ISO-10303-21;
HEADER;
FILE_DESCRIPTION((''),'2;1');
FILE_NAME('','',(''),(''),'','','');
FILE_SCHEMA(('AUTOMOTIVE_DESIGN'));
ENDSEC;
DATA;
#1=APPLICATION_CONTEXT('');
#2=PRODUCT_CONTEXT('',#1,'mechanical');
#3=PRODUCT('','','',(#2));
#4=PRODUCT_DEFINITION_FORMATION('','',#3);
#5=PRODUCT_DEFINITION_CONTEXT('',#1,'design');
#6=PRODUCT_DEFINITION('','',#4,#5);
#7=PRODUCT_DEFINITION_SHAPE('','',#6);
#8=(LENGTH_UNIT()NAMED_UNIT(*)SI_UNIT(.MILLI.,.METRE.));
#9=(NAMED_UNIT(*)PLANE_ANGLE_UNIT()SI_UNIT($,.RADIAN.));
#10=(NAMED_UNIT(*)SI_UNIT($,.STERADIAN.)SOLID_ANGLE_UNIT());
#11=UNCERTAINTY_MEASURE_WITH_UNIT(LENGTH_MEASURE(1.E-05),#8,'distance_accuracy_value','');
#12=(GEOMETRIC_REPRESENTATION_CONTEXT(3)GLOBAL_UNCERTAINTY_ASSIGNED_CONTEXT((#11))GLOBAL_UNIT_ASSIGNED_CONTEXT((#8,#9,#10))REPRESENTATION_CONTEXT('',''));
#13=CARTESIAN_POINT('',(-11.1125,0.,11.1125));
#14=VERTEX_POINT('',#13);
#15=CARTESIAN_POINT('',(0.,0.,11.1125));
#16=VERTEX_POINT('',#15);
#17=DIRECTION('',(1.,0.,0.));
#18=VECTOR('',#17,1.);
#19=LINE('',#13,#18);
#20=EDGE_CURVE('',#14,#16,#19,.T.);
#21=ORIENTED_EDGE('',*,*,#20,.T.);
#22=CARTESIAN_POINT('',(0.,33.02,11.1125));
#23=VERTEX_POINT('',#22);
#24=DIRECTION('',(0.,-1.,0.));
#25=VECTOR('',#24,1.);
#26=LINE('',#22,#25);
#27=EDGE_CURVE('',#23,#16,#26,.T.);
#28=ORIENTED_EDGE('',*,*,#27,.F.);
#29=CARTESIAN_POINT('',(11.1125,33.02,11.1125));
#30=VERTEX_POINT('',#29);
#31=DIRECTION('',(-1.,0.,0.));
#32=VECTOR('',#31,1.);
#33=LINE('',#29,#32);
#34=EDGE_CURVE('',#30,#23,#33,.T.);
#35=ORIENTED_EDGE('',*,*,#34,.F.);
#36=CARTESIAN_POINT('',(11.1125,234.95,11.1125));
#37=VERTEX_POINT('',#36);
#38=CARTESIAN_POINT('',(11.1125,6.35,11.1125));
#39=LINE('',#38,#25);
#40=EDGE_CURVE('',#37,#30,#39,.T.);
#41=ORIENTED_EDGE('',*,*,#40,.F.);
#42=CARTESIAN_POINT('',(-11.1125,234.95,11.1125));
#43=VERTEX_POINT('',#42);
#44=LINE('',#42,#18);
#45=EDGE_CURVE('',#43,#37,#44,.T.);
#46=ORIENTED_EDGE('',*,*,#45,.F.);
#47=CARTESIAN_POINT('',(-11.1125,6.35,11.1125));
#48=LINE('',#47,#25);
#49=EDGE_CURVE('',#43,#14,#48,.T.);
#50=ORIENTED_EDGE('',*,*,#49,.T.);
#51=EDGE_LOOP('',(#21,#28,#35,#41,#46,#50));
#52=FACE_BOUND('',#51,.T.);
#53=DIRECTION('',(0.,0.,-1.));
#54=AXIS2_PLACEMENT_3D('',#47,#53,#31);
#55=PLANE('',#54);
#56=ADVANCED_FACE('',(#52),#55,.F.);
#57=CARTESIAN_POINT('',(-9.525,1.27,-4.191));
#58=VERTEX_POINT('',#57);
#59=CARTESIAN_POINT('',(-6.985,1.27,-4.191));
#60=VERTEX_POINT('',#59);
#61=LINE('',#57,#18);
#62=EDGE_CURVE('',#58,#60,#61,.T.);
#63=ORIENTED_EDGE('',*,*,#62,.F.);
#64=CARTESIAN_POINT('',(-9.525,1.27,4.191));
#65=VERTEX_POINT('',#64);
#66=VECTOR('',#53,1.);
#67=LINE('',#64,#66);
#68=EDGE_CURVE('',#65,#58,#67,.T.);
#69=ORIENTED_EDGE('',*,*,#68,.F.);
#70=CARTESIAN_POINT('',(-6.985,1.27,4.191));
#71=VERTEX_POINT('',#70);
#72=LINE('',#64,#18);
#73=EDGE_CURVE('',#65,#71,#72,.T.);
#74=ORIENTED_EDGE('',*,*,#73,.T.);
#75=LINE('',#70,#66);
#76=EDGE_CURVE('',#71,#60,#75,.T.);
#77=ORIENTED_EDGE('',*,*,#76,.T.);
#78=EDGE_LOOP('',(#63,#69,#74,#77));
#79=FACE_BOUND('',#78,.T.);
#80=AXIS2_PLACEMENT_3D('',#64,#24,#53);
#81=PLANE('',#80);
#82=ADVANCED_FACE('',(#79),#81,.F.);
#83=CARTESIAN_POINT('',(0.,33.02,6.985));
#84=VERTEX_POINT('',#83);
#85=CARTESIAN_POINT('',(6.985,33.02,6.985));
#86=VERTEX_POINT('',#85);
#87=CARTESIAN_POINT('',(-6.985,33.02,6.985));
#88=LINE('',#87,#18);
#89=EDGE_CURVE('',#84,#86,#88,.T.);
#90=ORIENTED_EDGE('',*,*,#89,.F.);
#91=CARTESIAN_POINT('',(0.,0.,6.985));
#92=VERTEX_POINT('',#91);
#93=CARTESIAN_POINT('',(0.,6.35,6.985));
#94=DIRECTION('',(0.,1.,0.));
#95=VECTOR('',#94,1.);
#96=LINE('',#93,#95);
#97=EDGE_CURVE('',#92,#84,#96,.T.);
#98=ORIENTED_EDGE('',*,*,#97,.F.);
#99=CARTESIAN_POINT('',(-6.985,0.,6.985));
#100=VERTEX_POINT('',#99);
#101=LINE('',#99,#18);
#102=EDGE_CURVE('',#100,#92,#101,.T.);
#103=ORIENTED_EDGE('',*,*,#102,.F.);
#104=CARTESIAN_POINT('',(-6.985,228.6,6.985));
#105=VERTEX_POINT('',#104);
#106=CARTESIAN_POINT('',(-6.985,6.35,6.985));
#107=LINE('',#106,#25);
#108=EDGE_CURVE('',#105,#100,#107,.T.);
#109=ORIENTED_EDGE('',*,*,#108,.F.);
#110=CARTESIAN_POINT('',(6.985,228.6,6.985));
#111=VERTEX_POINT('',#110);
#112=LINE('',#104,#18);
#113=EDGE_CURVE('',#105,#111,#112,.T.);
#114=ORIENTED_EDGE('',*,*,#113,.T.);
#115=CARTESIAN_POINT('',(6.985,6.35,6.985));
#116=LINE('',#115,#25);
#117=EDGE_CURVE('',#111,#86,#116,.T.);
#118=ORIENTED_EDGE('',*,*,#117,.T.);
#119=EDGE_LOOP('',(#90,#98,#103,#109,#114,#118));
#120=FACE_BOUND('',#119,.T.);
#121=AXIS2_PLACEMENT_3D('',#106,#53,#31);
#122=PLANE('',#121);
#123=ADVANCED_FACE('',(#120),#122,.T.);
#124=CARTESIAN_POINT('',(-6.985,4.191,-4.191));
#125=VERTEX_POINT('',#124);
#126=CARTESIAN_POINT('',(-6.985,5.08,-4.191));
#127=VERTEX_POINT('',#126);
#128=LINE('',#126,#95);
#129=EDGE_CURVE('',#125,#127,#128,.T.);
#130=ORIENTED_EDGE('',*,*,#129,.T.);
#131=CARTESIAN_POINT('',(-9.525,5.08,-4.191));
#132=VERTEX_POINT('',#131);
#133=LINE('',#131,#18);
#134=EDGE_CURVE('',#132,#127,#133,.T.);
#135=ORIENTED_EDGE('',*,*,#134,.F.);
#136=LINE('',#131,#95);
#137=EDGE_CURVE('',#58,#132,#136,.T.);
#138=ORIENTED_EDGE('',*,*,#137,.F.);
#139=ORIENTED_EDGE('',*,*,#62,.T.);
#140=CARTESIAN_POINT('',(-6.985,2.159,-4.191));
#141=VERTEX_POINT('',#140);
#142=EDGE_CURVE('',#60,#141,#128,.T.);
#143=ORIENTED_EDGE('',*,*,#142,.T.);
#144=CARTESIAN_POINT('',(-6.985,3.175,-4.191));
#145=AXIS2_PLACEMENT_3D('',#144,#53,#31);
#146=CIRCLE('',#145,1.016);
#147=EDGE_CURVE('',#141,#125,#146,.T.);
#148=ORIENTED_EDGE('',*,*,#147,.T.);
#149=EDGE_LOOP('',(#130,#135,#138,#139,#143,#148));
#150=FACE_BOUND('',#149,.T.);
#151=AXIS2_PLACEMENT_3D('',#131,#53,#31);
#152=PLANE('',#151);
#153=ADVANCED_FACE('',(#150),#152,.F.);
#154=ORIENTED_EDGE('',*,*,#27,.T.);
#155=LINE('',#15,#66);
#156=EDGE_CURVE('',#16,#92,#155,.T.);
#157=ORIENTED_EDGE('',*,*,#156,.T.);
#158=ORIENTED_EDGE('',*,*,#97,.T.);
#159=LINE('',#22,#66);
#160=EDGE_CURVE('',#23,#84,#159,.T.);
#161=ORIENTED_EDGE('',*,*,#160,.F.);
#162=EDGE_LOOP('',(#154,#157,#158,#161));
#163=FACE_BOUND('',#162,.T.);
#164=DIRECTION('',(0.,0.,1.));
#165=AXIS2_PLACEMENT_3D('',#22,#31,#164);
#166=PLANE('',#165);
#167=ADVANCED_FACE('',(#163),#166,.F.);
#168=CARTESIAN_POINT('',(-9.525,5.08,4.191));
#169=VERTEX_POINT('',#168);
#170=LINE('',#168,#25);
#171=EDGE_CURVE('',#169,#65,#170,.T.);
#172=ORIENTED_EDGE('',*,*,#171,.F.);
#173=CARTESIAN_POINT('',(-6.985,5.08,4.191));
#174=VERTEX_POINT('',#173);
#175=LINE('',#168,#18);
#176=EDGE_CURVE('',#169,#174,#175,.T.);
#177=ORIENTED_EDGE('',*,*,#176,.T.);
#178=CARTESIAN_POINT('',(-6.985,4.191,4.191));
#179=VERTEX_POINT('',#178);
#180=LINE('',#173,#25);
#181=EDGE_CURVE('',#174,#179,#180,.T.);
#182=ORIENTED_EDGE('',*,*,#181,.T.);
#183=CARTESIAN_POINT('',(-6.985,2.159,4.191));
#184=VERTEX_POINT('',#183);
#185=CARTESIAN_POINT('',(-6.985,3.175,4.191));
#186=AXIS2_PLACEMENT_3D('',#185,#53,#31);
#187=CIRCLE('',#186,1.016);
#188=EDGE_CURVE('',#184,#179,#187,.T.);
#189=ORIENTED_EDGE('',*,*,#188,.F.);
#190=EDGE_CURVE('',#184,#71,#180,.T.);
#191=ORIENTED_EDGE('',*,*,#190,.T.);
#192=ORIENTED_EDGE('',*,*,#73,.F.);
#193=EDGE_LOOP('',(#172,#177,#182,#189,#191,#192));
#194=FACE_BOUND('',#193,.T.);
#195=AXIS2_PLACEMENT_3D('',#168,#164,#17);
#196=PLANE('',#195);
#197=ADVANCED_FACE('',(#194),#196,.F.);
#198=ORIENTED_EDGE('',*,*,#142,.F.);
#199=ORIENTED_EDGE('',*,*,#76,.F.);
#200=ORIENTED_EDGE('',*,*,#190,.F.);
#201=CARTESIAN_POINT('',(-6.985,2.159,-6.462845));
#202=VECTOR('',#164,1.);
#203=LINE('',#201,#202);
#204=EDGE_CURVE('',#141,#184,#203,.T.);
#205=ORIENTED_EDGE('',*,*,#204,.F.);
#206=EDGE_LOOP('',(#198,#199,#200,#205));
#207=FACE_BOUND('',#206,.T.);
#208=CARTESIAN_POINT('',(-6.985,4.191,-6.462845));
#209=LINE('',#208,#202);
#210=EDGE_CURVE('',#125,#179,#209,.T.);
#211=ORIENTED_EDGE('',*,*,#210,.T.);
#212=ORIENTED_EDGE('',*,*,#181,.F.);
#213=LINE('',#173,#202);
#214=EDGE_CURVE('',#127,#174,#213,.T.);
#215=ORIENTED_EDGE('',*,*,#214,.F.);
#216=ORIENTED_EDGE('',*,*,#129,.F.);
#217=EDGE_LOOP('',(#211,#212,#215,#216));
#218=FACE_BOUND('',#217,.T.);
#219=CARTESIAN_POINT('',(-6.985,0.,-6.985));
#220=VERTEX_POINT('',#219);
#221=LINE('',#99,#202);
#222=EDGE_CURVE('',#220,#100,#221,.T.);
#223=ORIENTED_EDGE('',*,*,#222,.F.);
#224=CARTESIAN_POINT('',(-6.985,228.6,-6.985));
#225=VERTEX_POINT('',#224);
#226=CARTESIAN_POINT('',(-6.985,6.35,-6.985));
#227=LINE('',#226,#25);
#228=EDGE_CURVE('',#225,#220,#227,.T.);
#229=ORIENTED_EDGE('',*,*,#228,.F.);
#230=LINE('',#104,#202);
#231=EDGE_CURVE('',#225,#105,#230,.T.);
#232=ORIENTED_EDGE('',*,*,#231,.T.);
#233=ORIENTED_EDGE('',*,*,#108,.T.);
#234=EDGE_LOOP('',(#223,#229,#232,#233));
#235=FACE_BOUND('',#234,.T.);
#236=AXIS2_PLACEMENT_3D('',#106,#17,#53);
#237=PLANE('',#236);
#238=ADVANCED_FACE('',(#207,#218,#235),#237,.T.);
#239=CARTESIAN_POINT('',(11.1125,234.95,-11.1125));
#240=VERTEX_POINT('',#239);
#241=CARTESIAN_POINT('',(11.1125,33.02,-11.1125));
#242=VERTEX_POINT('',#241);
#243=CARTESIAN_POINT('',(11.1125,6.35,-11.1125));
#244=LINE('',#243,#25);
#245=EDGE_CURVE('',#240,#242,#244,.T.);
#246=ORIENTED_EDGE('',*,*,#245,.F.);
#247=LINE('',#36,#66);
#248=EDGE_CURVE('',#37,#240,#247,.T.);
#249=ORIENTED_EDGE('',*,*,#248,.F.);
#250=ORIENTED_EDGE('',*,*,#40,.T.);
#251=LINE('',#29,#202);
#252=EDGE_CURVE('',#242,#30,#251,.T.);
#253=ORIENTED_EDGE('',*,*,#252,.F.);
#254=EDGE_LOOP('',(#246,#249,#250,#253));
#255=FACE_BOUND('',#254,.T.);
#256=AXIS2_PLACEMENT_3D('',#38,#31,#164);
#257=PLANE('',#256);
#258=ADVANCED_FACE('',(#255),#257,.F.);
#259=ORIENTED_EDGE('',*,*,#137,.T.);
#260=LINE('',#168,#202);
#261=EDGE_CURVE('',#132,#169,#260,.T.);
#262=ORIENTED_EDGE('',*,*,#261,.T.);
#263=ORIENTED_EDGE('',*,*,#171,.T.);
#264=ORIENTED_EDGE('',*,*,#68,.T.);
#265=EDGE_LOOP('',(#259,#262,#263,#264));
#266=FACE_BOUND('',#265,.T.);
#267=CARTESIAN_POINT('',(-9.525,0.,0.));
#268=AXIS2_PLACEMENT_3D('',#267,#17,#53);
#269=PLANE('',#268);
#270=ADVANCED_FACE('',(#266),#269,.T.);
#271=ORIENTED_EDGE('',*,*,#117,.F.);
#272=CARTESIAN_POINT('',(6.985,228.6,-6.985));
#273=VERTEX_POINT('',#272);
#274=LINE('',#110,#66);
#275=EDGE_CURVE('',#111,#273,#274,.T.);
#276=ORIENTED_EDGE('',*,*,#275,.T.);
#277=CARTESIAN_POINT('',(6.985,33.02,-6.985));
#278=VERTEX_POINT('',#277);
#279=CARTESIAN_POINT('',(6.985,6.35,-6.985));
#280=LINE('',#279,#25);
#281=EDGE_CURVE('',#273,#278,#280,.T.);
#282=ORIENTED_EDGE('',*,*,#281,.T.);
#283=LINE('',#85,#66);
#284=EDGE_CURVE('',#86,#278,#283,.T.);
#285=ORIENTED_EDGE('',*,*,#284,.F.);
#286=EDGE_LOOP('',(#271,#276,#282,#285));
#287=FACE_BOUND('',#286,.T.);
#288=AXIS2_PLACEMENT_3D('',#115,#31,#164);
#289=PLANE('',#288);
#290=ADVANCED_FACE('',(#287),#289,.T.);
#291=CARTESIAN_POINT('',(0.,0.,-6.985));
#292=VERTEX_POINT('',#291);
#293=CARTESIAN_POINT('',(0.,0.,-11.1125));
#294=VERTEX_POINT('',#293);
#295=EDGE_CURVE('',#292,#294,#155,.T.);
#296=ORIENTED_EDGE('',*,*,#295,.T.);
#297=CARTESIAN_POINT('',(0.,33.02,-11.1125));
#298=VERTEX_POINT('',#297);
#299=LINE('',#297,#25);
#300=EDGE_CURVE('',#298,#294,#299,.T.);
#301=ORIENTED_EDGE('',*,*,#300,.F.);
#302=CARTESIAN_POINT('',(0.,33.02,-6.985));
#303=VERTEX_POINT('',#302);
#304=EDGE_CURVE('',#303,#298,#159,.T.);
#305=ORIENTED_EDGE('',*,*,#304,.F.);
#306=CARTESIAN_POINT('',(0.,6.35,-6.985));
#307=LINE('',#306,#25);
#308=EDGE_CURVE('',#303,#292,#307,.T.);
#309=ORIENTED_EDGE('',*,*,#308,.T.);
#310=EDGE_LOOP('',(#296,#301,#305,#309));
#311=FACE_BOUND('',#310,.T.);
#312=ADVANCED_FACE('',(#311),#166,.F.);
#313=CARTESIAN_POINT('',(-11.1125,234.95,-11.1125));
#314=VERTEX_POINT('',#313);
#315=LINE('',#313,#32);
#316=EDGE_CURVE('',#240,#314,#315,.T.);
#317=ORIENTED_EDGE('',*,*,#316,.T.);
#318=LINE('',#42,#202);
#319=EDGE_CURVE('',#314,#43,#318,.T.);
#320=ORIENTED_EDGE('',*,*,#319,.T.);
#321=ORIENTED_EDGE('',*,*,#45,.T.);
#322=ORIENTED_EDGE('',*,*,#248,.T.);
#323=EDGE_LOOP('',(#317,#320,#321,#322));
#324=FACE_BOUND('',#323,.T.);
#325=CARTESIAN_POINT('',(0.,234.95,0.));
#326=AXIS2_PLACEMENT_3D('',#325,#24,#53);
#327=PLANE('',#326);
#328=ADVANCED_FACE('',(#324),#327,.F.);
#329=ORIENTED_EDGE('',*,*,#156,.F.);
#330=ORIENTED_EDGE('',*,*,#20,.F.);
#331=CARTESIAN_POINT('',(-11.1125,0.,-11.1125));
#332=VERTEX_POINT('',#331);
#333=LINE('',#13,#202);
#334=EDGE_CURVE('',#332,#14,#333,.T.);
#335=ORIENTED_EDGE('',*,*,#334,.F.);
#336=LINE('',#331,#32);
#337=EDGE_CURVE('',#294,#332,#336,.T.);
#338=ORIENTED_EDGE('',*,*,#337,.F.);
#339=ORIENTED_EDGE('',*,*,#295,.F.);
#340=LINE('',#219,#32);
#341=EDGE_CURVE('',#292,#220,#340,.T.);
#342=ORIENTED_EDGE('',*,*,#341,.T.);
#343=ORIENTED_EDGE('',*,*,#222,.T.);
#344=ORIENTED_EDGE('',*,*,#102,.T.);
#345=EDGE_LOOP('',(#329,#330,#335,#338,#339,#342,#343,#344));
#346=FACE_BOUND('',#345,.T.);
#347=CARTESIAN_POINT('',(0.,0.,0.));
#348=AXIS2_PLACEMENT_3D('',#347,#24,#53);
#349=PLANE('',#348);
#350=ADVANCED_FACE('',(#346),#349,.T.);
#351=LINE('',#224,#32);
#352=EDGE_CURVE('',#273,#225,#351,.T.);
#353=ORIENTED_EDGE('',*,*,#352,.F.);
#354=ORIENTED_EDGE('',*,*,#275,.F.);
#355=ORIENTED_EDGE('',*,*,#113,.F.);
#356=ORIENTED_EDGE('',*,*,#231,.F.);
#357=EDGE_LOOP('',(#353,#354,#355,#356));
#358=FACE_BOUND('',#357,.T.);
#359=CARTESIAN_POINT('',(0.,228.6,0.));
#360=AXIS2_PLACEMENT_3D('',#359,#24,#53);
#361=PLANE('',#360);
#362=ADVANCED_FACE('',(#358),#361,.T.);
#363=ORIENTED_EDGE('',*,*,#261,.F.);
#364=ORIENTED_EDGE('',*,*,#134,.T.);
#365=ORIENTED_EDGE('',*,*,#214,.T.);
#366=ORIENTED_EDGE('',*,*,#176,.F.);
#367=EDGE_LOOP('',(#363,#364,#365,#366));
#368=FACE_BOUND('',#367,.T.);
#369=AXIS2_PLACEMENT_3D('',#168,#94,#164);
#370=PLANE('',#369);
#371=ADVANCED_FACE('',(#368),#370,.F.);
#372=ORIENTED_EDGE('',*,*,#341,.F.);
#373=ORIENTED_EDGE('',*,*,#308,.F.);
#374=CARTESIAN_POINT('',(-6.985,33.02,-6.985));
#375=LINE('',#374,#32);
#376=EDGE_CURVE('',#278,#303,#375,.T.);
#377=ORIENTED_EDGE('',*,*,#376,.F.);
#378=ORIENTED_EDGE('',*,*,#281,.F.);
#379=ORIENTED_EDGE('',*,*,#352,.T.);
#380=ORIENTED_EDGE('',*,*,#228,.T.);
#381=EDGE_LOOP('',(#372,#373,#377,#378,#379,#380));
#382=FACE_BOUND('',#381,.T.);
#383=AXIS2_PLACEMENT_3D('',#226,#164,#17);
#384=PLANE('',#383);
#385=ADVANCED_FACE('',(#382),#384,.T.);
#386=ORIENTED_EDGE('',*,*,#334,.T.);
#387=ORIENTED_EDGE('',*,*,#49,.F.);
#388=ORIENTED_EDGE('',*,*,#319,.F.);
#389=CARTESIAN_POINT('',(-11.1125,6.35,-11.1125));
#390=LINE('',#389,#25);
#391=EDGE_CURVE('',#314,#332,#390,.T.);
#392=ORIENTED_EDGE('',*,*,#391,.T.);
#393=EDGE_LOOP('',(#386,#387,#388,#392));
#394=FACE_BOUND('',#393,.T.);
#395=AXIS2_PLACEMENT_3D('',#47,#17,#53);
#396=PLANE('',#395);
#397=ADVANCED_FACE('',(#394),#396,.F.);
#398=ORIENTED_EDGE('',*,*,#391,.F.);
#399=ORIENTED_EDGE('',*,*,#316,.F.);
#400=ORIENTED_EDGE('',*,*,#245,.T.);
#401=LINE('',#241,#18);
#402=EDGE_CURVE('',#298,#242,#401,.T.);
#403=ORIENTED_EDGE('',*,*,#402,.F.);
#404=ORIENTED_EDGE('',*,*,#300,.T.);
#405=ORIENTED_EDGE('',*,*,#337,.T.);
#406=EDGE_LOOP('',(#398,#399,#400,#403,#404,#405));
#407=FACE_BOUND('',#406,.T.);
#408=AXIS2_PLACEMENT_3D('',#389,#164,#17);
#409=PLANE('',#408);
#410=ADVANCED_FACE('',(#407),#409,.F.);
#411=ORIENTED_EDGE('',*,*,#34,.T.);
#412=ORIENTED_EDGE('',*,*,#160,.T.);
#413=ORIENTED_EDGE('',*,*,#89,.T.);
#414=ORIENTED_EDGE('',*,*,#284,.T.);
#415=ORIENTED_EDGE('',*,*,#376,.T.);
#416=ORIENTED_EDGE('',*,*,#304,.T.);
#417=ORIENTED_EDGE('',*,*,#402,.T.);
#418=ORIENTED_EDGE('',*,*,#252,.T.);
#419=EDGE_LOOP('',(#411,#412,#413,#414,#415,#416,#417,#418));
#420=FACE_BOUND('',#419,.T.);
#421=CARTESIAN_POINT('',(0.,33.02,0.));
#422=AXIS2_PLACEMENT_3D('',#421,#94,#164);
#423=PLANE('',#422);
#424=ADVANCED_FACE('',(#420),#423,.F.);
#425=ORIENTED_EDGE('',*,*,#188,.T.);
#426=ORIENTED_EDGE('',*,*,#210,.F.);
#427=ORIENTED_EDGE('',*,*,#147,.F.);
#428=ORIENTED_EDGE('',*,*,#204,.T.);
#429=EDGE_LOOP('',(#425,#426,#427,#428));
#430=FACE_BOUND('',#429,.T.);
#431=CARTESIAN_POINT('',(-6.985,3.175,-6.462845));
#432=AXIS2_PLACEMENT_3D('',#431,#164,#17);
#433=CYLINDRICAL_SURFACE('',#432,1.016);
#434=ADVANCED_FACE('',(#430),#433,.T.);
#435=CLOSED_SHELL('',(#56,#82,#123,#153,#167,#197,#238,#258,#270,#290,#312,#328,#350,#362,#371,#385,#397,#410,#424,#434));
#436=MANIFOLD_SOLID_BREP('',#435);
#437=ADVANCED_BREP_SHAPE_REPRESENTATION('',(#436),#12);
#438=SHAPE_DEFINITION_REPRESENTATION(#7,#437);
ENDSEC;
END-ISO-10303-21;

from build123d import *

# Parameters (mm, degrees)
SKETCH2_W           = 22.225
SKETCH2_H           = 22.225
SKETCH2_W_2         = 13.97
SKETCH2_H_2         = 13.97
BOSS_EXTRUDE1_DEPTH = 6.35
SKETCH3_W           = 8.382
SKETCH3_H           = 3.81
CUT_EXTRUDE1_DEPTH  = 2.54
BOSS_EXTRUDE2_DEPTH = 8.382
SKETCH6_W           = 22.225
SKETCH6_H           = 22.225
SKETCH6_W_2         = 13.97
SKETCH6_H_2         = 13.97
BOSS_EXTRUDE3_DEPTH = 222.25
SKETCH7_W           = 22.225
SKETCH7_H           = 22.225
BOSS_EXTRUDE4_DEPTH = 6.35
SKETCH8_W           = 11.1125
SKETCH8_H           = 22.225
CUT_EXTRUDE2_DEPTH  = 33.02


with BuildPart() as part:
    # Sketch2 → Boss-Extrude1 (new body)
    with BuildSketch(Plane(origin=(0, 0, 0), x_dir=(1, 0, 0), z_dir=(0, 1, 0))):
        Rectangle(SKETCH2_W, SKETCH2_H)
        Rectangle(SKETCH2_W_2, SKETCH2_H_2, mode=Mode.SUBTRACT)
    extrude(amount=BOSS_EXTRUDE1_DEPTH)

    # Sketch3 → Cut-Extrude1 (cut)
    with BuildSketch(Plane(origin=(-6.985, 0, 0), x_dir=(0, 0, -1), z_dir=(1, 0, 0))):
        with Locations((0, 3.175)):
            Rectangle(SKETCH3_W, SKETCH3_H)
    extrude(amount=-CUT_EXTRUDE1_DEPTH, mode=Mode.SUBTRACT)

    # Sketch4 → Boss-Extrude2 (add)
    with BuildSketch(Plane(origin=(0, 0, 4.191), x_dir=(-1, 0, 0), z_dir=(0, 0, -1))):
        with BuildLine():
            Line((6.985, 4.191), (6.985, 2.159))
            ThreePointArc((6.985, 2.159), (8.001, 3.175), (6.985, 4.191))
        make_face()
    extrude(amount=BOSS_EXTRUDE2_DEPTH)

    # Sketch6 → Boss-Extrude3 (add)
    with BuildSketch(Plane(origin=(0, 6.35, 0), x_dir=(1, 0, 0), z_dir=(0, 1, 0))):
        Rectangle(SKETCH6_W, SKETCH6_H)
        Rectangle(SKETCH6_W_2, SKETCH6_H_2, mode=Mode.SUBTRACT)
    extrude(amount=BOSS_EXTRUDE3_DEPTH)

    # Sketch7 → Boss-Extrude4 (add)
    with BuildSketch(Plane(origin=(0, 228.6, 0), x_dir=(1, 0, 0), z_dir=(0, 1, 0))):
        Rectangle(SKETCH7_W, SKETCH7_H)
    extrude(amount=BOSS_EXTRUDE4_DEPTH)

    # Sketch8 → Cut-Extrude2 (cut)
    with BuildSketch(Plane.XZ):
        with Locations((5.55625, 0)):
            Rectangle(SKETCH8_W, SKETCH8_H)
    extrude(amount=-CUT_EXTRUDE2_DEPTH, mode=Mode.SUBTRACT)


solid = part.part
